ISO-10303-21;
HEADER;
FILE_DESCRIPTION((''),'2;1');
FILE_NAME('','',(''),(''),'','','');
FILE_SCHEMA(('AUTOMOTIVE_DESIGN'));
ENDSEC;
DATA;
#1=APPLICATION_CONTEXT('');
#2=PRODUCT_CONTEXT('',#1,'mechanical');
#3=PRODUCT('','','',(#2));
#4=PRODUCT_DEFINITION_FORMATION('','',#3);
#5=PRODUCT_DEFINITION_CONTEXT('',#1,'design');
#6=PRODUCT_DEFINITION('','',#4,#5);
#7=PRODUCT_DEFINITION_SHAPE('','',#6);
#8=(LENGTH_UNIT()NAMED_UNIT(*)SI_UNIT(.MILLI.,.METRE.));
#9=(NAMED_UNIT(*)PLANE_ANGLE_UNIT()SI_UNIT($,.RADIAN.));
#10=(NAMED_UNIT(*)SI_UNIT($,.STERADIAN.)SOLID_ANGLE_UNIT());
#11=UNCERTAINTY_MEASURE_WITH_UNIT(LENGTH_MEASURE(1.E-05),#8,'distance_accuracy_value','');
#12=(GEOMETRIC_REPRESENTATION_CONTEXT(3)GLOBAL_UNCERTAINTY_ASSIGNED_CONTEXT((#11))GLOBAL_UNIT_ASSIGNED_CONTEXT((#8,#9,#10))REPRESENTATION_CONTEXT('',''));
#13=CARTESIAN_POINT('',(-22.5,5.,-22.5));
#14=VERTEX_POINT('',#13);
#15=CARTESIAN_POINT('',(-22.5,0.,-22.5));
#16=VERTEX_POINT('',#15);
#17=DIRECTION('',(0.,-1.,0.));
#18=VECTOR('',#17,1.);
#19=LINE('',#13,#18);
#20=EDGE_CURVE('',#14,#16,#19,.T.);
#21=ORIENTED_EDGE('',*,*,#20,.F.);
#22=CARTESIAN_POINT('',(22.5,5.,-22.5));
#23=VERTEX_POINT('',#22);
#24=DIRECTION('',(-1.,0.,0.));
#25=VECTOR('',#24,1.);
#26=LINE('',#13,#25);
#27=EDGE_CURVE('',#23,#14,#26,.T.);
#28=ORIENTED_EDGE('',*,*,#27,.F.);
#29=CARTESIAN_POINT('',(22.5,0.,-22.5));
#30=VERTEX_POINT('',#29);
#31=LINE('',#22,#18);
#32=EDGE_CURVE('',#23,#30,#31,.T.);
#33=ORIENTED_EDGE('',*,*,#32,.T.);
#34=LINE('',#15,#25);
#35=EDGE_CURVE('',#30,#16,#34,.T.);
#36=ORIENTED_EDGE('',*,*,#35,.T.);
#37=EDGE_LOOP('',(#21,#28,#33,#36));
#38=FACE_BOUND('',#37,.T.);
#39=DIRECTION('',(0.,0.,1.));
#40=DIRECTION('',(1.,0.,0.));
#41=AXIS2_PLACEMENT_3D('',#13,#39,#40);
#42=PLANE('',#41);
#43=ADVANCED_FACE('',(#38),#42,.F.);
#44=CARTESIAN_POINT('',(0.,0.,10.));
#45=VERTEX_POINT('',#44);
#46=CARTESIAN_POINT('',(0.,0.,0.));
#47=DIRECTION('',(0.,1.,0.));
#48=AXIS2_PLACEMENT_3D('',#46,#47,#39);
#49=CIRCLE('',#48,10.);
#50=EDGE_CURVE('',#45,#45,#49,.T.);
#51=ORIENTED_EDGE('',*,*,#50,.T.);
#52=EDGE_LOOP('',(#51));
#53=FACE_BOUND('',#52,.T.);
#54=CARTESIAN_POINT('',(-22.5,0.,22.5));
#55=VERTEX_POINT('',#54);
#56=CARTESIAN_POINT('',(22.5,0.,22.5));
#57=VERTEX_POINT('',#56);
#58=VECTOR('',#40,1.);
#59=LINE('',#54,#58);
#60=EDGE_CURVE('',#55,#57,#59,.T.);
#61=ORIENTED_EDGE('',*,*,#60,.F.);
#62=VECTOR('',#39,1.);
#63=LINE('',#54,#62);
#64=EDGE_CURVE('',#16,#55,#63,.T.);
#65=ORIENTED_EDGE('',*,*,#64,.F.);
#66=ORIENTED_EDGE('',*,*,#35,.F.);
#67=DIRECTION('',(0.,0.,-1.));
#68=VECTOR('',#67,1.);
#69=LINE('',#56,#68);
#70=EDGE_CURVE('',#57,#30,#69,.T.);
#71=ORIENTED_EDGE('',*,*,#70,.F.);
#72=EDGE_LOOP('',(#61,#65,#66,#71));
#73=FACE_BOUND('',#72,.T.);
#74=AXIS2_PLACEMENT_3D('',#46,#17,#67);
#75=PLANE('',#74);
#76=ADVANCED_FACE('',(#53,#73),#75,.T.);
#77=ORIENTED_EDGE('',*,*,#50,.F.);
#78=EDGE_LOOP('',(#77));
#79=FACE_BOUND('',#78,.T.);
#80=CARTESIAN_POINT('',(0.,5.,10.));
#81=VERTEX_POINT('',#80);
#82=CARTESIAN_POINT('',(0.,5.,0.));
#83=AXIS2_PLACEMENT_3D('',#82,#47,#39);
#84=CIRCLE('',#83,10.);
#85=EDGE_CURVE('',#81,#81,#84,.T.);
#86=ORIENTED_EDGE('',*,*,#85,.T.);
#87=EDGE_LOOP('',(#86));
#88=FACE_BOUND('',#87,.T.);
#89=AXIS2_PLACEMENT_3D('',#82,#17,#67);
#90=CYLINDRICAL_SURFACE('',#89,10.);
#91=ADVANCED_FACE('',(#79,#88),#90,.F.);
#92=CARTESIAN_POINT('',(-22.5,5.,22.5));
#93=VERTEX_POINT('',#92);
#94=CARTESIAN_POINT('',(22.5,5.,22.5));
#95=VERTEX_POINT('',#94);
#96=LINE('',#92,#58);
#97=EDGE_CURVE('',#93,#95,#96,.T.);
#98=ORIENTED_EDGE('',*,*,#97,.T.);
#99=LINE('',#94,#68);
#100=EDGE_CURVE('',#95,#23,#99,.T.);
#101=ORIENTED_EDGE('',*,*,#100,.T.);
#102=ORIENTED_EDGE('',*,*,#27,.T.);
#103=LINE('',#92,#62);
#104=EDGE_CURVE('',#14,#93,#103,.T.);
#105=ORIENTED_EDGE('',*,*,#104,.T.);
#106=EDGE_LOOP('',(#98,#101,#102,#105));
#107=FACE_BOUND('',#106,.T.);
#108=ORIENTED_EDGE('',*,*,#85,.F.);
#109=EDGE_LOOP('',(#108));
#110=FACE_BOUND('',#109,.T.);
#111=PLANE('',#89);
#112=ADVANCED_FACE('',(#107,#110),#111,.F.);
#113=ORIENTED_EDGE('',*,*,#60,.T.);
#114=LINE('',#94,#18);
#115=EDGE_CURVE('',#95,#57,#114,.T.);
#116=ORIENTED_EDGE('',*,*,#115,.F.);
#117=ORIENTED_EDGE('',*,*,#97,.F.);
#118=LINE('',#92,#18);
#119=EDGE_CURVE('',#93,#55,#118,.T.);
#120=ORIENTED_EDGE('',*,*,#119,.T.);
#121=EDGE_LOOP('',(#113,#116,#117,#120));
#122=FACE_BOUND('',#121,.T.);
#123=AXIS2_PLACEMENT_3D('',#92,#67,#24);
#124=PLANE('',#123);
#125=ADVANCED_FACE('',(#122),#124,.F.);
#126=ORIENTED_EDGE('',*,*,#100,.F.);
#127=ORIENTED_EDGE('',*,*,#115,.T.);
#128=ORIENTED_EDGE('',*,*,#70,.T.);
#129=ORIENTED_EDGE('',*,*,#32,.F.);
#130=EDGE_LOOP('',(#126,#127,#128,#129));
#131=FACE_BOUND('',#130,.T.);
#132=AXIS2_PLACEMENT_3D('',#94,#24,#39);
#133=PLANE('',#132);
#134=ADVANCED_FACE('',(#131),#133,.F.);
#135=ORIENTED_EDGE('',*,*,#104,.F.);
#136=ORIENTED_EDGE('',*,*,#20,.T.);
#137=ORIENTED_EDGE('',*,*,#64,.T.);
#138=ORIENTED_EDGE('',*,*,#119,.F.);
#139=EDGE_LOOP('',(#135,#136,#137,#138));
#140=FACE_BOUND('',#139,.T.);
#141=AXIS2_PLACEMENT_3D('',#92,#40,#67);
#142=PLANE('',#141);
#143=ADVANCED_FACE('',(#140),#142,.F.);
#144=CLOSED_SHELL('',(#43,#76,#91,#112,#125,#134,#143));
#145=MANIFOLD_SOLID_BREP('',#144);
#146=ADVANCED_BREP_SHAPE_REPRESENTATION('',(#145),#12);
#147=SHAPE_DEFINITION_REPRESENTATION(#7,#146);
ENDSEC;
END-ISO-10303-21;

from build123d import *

# Parameters (mm, degrees)
SKETCH1_W           = 45
SKETCH1_H           = 45
SKETCH1_R           = 10
BOSS_EXTRUDE1_DEPTH = 5


with BuildPart() as part:
    # Sketch1 → Boss-Extrude1 (new body)
    with BuildSketch(Plane(origin=(0, 0, 0), x_dir=(1, 0, 0), z_dir=(0, 1, 0))):
        Rectangle(SKETCH1_W, SKETCH1_H)
        Circle(SKETCH1_R, mode=Mode.SUBTRACT)
    extrude(amount=BOSS_EXTRUDE1_DEPTH)


solid = part.part
